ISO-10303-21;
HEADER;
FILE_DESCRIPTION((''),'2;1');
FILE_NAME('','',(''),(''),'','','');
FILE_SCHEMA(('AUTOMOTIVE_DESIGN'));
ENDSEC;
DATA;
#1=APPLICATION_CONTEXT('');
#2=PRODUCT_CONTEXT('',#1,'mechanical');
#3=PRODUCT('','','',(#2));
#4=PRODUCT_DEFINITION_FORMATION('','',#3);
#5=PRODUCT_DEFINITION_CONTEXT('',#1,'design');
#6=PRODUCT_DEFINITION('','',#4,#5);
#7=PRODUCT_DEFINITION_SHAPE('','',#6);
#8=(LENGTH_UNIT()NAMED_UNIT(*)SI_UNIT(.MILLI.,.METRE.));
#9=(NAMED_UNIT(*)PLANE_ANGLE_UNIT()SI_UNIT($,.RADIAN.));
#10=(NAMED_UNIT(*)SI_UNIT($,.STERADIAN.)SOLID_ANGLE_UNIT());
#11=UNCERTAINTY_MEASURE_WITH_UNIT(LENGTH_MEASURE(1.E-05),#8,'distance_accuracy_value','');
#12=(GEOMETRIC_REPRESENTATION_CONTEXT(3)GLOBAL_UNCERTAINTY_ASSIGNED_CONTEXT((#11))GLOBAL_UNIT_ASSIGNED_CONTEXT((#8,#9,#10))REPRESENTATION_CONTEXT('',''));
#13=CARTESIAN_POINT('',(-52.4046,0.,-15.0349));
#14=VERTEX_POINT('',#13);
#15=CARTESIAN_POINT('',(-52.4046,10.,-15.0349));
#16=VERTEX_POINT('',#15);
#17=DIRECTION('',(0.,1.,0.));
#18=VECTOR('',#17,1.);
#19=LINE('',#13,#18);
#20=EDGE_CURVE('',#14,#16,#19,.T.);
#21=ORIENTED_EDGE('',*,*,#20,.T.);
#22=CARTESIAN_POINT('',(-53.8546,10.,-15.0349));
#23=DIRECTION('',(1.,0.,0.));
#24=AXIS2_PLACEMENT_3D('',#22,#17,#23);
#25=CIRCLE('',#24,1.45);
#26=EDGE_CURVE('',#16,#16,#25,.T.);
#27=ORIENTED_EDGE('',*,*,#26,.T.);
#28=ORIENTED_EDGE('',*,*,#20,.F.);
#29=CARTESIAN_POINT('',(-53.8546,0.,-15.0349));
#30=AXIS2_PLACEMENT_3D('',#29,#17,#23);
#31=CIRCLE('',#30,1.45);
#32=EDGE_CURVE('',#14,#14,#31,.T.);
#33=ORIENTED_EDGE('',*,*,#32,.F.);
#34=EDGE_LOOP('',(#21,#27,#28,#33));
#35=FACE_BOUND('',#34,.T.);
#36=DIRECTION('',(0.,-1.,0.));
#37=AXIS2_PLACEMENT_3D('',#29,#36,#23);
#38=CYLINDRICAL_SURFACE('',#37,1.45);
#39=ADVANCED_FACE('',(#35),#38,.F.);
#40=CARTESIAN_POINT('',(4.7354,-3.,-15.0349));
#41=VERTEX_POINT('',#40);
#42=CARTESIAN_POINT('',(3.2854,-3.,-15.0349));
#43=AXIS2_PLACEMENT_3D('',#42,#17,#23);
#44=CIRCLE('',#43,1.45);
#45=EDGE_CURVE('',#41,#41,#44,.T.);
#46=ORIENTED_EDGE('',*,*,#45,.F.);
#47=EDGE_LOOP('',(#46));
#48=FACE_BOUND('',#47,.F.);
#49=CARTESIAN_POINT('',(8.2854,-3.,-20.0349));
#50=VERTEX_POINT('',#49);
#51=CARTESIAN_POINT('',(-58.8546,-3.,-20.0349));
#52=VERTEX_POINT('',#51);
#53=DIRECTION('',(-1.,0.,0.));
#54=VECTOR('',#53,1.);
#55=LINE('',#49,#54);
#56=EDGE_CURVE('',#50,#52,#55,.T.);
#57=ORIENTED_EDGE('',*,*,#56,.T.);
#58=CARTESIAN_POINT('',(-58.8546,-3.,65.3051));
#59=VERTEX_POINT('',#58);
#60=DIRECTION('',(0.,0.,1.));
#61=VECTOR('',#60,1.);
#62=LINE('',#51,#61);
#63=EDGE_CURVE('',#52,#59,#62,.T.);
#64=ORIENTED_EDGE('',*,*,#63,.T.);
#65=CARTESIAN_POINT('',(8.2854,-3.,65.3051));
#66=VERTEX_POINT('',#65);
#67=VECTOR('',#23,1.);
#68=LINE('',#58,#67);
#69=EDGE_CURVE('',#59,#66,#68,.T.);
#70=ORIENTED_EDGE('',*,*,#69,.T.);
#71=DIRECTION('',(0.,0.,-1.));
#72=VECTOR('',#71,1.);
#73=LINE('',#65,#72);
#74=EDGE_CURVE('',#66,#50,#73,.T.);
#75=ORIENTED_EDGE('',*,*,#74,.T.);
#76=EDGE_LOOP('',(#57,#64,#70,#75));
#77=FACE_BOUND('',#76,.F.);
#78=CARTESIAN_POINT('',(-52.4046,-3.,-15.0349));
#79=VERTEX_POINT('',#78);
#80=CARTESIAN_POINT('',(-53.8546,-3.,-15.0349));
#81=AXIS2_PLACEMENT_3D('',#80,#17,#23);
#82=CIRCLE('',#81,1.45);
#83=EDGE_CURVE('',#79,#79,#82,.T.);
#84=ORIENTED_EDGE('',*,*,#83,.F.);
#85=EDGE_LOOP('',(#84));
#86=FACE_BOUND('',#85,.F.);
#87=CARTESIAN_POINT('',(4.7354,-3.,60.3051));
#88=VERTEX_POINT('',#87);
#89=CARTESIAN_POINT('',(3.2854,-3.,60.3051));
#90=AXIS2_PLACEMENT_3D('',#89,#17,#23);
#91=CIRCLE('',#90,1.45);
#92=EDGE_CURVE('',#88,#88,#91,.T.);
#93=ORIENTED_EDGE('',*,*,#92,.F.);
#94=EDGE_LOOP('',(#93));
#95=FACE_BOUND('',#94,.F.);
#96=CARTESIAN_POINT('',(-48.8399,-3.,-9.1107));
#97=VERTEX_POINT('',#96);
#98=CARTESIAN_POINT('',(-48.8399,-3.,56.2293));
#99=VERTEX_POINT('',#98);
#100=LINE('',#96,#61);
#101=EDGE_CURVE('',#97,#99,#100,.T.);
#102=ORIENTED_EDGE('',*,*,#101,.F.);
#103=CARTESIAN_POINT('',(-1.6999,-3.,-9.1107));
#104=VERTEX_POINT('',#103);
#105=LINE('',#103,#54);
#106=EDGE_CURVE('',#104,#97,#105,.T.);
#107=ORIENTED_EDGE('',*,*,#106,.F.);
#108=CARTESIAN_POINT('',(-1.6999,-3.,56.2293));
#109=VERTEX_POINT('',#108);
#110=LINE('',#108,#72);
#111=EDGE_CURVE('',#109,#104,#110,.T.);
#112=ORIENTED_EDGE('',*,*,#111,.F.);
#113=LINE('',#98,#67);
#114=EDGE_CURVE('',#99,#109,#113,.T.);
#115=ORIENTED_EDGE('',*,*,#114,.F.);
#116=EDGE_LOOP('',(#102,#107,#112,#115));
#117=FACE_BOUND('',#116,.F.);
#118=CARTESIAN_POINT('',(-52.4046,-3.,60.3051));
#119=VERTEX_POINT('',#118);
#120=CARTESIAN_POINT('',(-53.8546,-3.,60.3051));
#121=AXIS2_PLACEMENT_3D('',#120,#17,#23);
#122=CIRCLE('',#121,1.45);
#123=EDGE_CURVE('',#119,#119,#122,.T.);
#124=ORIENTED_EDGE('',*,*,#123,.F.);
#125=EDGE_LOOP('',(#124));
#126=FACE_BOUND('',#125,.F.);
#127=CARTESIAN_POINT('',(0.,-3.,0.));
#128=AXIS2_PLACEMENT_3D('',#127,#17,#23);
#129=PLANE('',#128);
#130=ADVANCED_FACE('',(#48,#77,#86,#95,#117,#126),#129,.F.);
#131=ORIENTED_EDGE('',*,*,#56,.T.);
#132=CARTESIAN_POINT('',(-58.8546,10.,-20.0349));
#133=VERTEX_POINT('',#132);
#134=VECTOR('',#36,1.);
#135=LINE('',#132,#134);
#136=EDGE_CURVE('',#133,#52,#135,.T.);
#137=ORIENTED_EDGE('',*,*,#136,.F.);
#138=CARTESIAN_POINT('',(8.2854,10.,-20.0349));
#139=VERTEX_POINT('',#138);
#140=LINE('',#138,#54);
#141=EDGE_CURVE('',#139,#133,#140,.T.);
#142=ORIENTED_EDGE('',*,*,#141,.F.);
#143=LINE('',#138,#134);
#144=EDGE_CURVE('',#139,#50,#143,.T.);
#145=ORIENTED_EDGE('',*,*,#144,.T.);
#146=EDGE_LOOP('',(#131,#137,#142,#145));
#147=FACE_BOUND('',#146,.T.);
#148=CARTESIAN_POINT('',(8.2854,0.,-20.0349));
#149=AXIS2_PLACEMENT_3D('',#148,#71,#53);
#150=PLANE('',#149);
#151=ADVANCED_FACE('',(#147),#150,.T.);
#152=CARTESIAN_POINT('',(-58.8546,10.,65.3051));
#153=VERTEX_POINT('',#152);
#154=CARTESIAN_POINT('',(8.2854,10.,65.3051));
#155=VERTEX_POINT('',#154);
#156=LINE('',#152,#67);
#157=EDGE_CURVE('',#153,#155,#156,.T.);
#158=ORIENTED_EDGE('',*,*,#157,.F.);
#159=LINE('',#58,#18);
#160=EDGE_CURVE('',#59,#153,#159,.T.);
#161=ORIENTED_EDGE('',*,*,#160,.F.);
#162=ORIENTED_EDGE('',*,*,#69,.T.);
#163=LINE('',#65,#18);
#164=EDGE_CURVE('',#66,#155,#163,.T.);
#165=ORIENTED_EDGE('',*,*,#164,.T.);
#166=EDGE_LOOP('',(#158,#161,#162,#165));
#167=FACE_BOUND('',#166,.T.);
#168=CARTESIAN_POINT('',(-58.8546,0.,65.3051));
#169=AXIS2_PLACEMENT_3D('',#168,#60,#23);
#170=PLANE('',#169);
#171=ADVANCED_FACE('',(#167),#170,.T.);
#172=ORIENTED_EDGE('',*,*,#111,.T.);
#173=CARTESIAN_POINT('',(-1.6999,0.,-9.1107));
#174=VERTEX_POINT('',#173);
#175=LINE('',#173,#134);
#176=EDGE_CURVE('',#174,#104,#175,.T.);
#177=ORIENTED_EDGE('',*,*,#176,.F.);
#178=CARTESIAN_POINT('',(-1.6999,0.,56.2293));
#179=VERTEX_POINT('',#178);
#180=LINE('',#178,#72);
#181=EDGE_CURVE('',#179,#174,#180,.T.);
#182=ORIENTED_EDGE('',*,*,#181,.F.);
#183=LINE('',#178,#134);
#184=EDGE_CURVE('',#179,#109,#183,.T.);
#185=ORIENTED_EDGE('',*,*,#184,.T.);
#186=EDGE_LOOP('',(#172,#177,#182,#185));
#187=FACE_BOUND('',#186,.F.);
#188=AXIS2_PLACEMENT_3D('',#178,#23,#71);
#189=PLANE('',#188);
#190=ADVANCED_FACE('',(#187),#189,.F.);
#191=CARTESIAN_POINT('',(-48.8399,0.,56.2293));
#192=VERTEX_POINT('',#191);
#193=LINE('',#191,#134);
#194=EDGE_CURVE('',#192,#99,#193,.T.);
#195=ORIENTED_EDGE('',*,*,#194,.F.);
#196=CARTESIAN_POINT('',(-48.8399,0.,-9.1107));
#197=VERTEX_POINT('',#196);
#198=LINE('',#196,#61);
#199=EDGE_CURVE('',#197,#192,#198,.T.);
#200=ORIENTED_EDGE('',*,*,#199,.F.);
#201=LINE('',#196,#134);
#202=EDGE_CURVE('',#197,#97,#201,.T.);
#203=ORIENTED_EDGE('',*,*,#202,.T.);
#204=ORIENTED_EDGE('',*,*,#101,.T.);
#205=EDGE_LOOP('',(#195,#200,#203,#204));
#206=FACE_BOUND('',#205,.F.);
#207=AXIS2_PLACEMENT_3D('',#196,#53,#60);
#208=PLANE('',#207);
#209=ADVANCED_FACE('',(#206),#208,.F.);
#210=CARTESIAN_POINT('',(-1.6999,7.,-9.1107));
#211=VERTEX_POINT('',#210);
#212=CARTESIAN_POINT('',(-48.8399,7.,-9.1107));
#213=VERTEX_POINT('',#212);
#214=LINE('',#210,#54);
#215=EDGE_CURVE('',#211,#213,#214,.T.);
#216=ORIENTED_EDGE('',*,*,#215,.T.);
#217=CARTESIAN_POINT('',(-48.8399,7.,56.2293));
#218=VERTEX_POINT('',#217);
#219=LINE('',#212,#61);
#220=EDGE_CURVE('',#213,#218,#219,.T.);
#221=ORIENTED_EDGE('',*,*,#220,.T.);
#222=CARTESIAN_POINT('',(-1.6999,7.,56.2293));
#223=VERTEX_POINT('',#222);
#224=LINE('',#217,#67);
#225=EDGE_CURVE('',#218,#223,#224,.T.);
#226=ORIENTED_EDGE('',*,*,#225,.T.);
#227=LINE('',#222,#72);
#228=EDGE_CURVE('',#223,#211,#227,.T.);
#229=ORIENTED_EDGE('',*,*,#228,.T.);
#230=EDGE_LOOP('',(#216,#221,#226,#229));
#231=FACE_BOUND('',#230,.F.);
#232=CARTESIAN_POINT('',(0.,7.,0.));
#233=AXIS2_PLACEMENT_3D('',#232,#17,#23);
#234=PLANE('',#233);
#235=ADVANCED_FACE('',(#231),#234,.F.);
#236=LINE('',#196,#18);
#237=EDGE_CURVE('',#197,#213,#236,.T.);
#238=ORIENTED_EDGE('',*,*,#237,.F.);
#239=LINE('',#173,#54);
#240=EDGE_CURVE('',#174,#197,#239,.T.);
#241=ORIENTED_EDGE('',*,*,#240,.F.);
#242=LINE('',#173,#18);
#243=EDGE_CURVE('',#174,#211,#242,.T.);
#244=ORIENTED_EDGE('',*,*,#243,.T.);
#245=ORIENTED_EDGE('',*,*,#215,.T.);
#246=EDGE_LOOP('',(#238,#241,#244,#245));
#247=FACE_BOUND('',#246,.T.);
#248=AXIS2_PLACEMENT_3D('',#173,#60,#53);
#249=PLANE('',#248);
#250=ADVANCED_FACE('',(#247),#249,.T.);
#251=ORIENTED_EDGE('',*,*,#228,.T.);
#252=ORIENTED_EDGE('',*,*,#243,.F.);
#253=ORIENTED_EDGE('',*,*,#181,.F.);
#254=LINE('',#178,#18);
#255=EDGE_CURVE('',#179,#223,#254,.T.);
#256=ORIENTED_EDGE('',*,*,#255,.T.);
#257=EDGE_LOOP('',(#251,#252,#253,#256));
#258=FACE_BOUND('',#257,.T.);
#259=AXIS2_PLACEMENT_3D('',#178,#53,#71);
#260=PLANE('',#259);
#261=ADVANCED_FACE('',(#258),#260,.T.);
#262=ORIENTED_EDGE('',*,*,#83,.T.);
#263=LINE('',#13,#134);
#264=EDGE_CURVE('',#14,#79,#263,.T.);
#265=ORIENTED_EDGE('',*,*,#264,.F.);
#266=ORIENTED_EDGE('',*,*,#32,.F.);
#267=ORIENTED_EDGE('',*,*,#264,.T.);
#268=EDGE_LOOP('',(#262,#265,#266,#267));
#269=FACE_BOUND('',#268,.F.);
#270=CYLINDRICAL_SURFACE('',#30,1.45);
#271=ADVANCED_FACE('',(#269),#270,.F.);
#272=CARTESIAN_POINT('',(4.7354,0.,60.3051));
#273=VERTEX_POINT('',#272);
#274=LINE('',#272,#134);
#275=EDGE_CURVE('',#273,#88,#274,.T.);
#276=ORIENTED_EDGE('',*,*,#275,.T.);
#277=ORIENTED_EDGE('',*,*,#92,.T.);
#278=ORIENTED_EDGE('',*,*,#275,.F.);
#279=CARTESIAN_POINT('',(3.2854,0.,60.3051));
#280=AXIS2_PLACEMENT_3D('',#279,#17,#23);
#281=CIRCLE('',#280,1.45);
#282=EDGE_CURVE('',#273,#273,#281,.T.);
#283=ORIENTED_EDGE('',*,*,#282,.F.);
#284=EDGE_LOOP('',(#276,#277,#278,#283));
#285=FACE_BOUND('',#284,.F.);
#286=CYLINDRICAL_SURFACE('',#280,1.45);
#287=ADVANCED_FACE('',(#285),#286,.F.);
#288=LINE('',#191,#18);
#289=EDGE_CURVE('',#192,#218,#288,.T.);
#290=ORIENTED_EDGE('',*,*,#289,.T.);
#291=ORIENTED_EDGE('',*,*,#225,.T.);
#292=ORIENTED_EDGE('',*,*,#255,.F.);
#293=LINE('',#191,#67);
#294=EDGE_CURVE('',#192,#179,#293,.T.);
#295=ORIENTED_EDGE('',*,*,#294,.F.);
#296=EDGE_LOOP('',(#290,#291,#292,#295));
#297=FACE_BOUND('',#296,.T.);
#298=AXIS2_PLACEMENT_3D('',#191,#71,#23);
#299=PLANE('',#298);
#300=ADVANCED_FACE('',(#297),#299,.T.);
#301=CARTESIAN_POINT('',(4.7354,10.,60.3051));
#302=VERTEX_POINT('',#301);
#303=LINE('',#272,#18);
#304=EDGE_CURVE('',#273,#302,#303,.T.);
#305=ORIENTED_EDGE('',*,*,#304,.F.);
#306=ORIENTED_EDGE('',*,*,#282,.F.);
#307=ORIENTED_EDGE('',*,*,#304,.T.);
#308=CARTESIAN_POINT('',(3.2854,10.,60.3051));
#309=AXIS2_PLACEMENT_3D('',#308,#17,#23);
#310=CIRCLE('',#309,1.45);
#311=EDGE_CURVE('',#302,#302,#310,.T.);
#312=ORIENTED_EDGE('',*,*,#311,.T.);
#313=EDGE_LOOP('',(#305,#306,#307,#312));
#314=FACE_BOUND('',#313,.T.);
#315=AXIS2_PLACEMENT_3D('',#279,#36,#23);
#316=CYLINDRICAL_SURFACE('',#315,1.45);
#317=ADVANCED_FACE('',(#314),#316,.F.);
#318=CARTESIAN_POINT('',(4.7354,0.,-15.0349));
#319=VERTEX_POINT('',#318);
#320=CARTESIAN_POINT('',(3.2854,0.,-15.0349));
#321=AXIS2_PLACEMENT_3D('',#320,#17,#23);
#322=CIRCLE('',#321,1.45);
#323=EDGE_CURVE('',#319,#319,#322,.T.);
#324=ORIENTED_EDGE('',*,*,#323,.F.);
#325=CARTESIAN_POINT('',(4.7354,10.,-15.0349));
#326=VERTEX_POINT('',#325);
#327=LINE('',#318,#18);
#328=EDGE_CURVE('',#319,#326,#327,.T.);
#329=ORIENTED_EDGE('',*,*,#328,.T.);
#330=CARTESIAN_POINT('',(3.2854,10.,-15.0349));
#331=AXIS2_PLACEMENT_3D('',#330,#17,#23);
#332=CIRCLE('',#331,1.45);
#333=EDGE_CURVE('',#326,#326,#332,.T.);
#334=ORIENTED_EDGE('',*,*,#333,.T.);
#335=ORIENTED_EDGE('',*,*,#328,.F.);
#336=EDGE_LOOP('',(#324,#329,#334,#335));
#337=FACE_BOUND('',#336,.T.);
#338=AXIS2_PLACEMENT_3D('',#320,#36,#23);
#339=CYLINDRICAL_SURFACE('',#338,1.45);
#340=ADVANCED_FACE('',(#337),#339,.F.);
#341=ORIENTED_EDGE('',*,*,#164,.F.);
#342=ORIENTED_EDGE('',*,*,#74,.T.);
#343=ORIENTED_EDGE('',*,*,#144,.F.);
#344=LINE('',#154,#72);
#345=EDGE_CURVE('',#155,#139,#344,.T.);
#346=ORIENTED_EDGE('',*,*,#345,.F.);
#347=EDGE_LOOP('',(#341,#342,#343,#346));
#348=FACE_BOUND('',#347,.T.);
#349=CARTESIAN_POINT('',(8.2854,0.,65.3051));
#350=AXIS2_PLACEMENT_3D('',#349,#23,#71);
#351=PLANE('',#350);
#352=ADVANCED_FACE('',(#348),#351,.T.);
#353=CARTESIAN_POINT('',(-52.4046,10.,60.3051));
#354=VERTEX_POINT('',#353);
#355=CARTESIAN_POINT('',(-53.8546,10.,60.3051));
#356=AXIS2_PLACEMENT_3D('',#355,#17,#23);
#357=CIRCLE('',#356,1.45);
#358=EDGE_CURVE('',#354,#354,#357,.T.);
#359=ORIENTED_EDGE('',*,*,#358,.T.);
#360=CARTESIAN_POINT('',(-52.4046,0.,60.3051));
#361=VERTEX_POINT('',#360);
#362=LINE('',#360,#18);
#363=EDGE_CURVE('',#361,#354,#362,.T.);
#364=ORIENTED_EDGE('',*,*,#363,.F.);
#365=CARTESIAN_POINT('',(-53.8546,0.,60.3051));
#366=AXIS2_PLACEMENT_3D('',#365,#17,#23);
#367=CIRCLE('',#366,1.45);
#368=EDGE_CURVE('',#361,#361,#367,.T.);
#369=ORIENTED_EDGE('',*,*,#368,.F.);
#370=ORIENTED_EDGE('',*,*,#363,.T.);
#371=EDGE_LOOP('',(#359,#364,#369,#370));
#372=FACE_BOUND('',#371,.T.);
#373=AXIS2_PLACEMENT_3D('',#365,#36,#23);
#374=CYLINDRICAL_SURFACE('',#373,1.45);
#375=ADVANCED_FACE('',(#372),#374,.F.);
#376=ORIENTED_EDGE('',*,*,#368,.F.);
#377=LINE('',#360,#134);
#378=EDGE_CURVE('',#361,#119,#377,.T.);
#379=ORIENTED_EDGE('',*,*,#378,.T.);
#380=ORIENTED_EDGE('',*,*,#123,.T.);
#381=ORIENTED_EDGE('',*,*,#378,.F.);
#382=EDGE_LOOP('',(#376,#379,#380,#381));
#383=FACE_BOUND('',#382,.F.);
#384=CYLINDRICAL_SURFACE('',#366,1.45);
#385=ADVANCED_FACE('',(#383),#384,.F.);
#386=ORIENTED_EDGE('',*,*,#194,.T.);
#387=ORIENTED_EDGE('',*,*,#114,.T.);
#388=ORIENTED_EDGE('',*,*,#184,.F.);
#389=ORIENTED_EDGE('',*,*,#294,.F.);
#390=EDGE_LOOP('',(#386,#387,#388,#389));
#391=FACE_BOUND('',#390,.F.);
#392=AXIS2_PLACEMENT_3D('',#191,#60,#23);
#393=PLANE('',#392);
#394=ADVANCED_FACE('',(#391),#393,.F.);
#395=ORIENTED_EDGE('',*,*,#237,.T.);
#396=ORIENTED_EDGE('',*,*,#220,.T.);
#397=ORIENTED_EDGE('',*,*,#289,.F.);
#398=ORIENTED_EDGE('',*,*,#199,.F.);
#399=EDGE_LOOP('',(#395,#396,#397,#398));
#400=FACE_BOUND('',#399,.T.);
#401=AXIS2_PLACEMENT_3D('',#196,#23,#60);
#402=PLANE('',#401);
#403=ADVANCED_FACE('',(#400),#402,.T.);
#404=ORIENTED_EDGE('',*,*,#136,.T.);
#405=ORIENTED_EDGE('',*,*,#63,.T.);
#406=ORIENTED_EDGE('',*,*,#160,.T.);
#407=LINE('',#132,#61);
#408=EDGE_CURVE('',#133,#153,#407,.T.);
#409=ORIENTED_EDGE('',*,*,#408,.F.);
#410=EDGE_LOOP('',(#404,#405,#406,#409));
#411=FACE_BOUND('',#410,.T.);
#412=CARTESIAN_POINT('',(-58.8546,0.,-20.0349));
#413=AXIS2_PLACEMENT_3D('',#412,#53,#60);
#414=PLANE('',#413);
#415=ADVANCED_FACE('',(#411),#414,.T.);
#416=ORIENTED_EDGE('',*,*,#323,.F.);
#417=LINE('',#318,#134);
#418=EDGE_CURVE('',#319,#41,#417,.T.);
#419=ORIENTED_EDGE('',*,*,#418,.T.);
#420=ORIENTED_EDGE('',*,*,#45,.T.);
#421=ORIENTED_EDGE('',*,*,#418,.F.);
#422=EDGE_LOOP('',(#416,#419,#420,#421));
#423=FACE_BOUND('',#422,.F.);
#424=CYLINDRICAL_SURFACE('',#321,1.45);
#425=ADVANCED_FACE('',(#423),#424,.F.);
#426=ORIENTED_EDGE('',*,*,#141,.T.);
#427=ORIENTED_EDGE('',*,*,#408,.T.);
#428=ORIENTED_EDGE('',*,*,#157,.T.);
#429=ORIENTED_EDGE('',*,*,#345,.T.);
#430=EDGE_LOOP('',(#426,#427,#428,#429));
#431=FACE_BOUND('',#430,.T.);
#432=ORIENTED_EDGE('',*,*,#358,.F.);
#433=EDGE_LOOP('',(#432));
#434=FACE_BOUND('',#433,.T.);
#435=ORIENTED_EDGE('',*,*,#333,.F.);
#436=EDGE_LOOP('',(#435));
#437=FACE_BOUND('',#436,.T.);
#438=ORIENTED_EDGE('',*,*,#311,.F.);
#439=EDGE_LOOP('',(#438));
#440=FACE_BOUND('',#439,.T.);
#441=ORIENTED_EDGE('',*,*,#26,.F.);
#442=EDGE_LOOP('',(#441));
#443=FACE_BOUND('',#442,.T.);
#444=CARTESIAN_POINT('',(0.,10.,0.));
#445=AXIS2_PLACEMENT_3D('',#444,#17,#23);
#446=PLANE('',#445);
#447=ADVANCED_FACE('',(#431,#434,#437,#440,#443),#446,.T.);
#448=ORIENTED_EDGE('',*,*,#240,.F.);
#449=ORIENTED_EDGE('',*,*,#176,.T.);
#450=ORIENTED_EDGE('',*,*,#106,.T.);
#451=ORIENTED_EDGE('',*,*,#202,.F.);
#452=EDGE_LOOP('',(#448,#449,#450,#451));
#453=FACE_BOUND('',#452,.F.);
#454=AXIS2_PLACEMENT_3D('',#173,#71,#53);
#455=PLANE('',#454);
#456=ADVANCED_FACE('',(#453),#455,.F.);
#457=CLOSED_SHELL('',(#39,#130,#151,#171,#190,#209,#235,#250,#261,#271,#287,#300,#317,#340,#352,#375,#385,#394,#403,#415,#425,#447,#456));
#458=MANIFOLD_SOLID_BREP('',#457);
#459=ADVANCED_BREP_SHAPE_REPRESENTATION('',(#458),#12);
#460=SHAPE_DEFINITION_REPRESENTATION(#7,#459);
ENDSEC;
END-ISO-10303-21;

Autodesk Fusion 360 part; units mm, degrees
sketch "Sketch1" plane through (0, 0, 0) normal (0, 1, 0) x (1, 0, 0)
  line L0 (-48.8546, -55.3051) -> (-1.7146, -55.3051)
  line L1 (-1.7146, -55.3051) -> (-1.7146, 10.0349)
  line L2 (-1.7146, 10.0349) -> (-48.8546, 10.0349)
  line L3 (-48.8546, 10.0349) -> (-48.8546, -55.3051)
  line L4 (-58.8546, -65.3051) -> (8.2854, -65.3051)
  line L5 (8.2854, -65.3051) -> (8.2854, 20.0349)
  line L6 (8.2854, 20.0349) -> (-58.8546, 20.0349)
  line L7 (-58.8546, 20.0349) -> (-58.8546, -65.3051)
  circle A0 centre (-53.8546, -60.3051) radius 1.45
  circle A1 centre (-53.8546, 15.0349) radius 1.45
  circle A2 centre (3.2854, 15.0349) radius 1.45
  circle A3 centre (3.2854, -60.3051) radius 1.45
  dimension "d1" = 47.14
  dimension "d2" = 65.34
  dimension "d3" = 10
  dimension "d4" = 10
  dimension "d5" = 10
  dimension "d6" = 10
  dimension "d7" = 2.9
  dimension "d8" = 5
  dimension "d9" = 5
  dimension "d10" = 2.9
  dimension "d11" = 5
  dimension "d12" = 5
  dimension "d13" = 2.9
  dimension "d14" = 5
  dimension "d15" = 5
  dimension "d16" = 2.9
  dimension "d17" = 5
  dimension "d18" = 5
extrude "Extrude1" add sketch "Sketch1" along normal blind 10 contours L0 L1 L2 L3 | L4 L5 L6 L7
sketch "Sketch2" plane through (0, 0, 0) normal (0, 1, 0) x (1, 0, 0)
  line L0 (-48.8399, -56.2293) -> (-1.6999, -56.2293)
  line L1 (-1.6999, -56.2293) -> (-1.6999, 9.1107)
  line L2 (-1.6999, 9.1107) -> (-48.8399, 9.1107)
  line L3 (-48.8399, 9.1107) -> (-48.8399, -56.2293)
  dimension "d21" = 47.14
  dimension "d22" = 65.34
extrude "Extrude2" cut sketch "Sketch2" along normal blind 7
extrude "Extrude3" add 1 faces at (-33.1363, 0, -13.4796) along direction (0, -1, 0) blind 3
